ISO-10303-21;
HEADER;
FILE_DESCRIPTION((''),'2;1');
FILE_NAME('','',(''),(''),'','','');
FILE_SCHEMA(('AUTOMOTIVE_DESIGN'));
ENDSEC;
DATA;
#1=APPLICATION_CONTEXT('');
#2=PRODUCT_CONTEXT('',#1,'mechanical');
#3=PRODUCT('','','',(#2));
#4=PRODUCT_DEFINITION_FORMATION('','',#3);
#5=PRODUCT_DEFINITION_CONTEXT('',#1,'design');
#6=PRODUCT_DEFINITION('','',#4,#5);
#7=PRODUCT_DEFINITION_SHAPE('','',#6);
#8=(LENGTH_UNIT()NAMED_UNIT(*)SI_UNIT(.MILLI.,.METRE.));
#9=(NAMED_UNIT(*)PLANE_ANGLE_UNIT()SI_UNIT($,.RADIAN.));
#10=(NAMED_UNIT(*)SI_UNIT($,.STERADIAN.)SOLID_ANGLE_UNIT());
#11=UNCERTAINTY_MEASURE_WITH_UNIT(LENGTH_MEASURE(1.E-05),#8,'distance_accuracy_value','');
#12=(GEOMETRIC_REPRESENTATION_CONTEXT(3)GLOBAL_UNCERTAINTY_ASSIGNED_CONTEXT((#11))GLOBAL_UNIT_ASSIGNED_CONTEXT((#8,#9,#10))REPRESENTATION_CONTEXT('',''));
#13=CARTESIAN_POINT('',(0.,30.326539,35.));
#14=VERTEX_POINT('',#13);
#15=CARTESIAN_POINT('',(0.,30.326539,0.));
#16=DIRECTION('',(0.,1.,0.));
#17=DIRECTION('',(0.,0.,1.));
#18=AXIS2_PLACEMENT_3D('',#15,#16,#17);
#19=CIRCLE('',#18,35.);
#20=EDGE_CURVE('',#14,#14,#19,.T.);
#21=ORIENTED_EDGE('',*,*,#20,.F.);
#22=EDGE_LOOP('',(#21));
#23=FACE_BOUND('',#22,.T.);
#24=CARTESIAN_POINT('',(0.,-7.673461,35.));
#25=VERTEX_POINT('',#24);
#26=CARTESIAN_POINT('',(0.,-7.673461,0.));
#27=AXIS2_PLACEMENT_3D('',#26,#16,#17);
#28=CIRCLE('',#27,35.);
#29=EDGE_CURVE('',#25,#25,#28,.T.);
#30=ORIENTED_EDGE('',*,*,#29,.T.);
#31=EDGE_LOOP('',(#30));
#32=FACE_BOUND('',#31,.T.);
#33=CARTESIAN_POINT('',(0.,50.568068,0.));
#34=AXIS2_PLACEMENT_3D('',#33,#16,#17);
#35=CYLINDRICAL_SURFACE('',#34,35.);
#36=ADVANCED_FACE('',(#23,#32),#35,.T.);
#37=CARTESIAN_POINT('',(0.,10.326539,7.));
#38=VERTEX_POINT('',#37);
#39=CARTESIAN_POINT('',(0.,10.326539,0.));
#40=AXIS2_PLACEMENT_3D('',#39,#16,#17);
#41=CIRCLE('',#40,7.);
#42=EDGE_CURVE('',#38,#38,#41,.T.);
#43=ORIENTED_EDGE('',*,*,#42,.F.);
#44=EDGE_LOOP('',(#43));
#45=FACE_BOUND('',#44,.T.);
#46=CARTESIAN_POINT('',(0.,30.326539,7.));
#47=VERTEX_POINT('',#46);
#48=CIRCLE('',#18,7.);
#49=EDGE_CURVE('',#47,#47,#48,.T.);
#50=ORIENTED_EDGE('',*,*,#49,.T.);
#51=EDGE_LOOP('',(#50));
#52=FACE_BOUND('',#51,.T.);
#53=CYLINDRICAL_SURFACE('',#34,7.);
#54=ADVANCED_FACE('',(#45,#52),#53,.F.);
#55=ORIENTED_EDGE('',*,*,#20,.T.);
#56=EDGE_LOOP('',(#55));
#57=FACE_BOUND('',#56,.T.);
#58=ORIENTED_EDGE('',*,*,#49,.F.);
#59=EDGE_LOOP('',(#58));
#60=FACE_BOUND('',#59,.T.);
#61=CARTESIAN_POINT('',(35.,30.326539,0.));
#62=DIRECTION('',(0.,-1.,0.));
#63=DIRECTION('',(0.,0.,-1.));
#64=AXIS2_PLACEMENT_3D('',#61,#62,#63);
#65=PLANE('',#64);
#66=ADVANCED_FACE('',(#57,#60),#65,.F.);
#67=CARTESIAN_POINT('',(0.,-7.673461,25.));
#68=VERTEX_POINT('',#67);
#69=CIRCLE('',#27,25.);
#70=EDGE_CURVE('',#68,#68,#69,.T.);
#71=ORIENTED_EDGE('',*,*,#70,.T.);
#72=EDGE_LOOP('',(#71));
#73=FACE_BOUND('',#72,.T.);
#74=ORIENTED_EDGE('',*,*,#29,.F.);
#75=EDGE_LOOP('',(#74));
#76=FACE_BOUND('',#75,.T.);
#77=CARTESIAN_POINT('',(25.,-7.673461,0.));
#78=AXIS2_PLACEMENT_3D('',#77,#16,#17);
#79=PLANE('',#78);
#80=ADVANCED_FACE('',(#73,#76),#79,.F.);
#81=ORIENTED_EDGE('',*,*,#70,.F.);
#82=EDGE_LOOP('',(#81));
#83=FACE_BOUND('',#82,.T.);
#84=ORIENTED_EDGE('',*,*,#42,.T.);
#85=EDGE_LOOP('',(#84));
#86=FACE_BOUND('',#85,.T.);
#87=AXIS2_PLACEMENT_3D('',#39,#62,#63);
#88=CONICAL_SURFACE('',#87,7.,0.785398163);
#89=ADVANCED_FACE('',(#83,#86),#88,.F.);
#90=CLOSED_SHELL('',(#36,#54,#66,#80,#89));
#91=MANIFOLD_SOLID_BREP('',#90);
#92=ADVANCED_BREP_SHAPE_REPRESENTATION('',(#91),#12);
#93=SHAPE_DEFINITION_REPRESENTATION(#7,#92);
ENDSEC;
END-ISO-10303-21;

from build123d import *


with BuildPart() as part:
    # Sketch1 → Revolve1 (revolve)
    with BuildSketch(Plane.XY):
        Polygon((7, 30.326538871), (7, 10.326538871), (25, -7.673461129), (35, -7.673461129), (35, 30.326538871), align=None)
    revolve(axis=Axis((0, 50.568068379, 0), (0, -1, 0)))


solid = part.part
